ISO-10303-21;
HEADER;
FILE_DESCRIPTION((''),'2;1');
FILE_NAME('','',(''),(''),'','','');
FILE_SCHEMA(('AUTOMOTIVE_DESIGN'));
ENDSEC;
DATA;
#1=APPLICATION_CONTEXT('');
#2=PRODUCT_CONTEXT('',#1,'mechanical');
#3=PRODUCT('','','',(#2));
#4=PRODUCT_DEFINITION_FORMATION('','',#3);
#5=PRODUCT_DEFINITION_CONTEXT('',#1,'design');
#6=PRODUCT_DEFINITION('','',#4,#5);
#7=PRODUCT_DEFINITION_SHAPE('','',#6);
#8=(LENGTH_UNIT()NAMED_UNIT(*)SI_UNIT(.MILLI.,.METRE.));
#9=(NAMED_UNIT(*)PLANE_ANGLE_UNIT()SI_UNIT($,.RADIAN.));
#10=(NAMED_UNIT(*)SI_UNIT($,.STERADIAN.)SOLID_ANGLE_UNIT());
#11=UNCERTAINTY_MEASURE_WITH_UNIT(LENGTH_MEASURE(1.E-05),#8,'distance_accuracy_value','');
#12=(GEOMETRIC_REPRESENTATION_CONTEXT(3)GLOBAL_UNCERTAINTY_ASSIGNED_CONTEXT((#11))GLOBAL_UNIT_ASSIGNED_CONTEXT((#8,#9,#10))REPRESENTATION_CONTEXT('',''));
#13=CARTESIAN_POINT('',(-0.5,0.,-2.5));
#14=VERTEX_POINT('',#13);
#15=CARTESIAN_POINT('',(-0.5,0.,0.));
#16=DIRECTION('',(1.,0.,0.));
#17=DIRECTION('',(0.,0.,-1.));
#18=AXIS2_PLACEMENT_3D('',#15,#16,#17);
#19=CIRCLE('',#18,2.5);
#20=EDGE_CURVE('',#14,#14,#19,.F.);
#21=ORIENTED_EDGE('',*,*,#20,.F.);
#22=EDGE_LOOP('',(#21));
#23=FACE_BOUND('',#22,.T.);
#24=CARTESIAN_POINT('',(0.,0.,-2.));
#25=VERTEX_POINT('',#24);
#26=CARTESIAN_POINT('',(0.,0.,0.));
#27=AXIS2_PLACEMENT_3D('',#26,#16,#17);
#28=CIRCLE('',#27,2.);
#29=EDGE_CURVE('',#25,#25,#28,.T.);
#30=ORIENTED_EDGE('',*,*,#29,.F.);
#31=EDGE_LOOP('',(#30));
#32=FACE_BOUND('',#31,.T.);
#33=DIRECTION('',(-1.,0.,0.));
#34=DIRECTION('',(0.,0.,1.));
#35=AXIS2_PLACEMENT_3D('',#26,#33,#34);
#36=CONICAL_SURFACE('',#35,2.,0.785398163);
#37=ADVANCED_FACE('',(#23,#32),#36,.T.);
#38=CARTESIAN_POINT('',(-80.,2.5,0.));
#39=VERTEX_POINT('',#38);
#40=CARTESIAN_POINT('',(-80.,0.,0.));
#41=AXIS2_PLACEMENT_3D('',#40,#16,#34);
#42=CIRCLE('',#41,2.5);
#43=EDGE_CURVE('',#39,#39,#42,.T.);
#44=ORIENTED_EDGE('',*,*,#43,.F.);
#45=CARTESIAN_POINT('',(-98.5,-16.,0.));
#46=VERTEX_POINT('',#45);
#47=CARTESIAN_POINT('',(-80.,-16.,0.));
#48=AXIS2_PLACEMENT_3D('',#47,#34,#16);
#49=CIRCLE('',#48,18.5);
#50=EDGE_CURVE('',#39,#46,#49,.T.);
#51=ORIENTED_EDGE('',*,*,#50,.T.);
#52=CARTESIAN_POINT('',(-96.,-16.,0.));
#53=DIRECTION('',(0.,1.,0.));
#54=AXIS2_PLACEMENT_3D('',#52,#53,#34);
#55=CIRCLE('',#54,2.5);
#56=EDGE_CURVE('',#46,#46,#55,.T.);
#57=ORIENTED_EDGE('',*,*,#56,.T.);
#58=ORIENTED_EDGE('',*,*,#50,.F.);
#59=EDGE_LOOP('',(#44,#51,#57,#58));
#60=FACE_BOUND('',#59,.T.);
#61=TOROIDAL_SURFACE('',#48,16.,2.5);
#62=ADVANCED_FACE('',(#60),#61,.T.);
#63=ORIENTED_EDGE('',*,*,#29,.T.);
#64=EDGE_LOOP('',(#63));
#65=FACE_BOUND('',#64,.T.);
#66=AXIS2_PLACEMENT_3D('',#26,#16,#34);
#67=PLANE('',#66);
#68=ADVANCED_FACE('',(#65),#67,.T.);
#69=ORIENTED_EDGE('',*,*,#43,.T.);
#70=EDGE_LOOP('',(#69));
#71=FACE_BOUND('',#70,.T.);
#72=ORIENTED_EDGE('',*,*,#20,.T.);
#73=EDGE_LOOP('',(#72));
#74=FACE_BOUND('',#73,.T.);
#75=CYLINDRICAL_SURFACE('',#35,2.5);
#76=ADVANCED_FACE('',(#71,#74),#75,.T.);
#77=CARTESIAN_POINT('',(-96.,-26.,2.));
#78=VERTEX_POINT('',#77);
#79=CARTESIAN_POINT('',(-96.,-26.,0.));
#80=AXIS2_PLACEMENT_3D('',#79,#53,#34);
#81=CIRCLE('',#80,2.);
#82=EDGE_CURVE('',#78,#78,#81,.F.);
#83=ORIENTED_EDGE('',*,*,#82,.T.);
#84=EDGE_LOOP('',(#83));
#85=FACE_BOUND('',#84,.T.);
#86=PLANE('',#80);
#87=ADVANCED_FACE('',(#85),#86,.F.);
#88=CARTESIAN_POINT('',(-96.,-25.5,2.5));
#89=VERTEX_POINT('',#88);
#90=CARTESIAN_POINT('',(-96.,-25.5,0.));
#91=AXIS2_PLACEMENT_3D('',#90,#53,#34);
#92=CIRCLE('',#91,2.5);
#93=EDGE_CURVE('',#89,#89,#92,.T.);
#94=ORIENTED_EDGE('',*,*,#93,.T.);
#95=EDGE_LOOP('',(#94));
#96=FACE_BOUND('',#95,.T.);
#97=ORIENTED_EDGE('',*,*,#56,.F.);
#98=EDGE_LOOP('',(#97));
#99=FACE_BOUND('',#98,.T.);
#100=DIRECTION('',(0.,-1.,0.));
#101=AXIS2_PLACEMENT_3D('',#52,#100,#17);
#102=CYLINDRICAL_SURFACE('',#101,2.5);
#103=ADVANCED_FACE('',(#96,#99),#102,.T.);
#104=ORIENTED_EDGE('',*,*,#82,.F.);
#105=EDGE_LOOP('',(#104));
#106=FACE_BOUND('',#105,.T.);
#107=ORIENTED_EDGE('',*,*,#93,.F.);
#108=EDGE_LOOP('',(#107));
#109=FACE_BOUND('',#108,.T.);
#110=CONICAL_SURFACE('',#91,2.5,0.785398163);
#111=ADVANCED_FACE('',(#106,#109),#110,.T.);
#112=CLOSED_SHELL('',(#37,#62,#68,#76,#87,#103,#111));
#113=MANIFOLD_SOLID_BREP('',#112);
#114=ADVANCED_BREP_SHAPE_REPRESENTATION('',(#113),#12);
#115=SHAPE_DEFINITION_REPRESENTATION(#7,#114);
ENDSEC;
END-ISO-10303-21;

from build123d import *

# Parameters (mm, degrees)
SWEEP1_PROFILE_R = 2.5
CHAMFER1_SIZE    = 0.5


with BuildPart() as part:
    # Sweep1: sweep along a path in Sketch1
    with BuildLine(Plane.XY) as sweep1_path:
        Line((0, 0), (-80, 0))
        ThreePointArc((-80, 0), (-91.313708499, -4.686291501), (-96, -16))
        Line((-96, -16), (-96, -26))
    # Sweep1 profile (on start of the path) → Sweep1 (sweep)
    with BuildSketch(Plane(origin=(0, 0, 0), x_dir=(0, 0, -1), z_dir=(-1, 0, 0))):
        Circle(SWEEP1_PROFILE_R)
    sweep(path=sweep1_path.line)

    # Chamfer1
    chamfer1_edges = [part.edges().sort_by_distance(p)[0] for p in [
        (-96, -26, 2.5),
        (0, 0, 2.5),
    ]]
    chamfer(chamfer1_edges, length=CHAMFER1_SIZE)


solid = part.part
